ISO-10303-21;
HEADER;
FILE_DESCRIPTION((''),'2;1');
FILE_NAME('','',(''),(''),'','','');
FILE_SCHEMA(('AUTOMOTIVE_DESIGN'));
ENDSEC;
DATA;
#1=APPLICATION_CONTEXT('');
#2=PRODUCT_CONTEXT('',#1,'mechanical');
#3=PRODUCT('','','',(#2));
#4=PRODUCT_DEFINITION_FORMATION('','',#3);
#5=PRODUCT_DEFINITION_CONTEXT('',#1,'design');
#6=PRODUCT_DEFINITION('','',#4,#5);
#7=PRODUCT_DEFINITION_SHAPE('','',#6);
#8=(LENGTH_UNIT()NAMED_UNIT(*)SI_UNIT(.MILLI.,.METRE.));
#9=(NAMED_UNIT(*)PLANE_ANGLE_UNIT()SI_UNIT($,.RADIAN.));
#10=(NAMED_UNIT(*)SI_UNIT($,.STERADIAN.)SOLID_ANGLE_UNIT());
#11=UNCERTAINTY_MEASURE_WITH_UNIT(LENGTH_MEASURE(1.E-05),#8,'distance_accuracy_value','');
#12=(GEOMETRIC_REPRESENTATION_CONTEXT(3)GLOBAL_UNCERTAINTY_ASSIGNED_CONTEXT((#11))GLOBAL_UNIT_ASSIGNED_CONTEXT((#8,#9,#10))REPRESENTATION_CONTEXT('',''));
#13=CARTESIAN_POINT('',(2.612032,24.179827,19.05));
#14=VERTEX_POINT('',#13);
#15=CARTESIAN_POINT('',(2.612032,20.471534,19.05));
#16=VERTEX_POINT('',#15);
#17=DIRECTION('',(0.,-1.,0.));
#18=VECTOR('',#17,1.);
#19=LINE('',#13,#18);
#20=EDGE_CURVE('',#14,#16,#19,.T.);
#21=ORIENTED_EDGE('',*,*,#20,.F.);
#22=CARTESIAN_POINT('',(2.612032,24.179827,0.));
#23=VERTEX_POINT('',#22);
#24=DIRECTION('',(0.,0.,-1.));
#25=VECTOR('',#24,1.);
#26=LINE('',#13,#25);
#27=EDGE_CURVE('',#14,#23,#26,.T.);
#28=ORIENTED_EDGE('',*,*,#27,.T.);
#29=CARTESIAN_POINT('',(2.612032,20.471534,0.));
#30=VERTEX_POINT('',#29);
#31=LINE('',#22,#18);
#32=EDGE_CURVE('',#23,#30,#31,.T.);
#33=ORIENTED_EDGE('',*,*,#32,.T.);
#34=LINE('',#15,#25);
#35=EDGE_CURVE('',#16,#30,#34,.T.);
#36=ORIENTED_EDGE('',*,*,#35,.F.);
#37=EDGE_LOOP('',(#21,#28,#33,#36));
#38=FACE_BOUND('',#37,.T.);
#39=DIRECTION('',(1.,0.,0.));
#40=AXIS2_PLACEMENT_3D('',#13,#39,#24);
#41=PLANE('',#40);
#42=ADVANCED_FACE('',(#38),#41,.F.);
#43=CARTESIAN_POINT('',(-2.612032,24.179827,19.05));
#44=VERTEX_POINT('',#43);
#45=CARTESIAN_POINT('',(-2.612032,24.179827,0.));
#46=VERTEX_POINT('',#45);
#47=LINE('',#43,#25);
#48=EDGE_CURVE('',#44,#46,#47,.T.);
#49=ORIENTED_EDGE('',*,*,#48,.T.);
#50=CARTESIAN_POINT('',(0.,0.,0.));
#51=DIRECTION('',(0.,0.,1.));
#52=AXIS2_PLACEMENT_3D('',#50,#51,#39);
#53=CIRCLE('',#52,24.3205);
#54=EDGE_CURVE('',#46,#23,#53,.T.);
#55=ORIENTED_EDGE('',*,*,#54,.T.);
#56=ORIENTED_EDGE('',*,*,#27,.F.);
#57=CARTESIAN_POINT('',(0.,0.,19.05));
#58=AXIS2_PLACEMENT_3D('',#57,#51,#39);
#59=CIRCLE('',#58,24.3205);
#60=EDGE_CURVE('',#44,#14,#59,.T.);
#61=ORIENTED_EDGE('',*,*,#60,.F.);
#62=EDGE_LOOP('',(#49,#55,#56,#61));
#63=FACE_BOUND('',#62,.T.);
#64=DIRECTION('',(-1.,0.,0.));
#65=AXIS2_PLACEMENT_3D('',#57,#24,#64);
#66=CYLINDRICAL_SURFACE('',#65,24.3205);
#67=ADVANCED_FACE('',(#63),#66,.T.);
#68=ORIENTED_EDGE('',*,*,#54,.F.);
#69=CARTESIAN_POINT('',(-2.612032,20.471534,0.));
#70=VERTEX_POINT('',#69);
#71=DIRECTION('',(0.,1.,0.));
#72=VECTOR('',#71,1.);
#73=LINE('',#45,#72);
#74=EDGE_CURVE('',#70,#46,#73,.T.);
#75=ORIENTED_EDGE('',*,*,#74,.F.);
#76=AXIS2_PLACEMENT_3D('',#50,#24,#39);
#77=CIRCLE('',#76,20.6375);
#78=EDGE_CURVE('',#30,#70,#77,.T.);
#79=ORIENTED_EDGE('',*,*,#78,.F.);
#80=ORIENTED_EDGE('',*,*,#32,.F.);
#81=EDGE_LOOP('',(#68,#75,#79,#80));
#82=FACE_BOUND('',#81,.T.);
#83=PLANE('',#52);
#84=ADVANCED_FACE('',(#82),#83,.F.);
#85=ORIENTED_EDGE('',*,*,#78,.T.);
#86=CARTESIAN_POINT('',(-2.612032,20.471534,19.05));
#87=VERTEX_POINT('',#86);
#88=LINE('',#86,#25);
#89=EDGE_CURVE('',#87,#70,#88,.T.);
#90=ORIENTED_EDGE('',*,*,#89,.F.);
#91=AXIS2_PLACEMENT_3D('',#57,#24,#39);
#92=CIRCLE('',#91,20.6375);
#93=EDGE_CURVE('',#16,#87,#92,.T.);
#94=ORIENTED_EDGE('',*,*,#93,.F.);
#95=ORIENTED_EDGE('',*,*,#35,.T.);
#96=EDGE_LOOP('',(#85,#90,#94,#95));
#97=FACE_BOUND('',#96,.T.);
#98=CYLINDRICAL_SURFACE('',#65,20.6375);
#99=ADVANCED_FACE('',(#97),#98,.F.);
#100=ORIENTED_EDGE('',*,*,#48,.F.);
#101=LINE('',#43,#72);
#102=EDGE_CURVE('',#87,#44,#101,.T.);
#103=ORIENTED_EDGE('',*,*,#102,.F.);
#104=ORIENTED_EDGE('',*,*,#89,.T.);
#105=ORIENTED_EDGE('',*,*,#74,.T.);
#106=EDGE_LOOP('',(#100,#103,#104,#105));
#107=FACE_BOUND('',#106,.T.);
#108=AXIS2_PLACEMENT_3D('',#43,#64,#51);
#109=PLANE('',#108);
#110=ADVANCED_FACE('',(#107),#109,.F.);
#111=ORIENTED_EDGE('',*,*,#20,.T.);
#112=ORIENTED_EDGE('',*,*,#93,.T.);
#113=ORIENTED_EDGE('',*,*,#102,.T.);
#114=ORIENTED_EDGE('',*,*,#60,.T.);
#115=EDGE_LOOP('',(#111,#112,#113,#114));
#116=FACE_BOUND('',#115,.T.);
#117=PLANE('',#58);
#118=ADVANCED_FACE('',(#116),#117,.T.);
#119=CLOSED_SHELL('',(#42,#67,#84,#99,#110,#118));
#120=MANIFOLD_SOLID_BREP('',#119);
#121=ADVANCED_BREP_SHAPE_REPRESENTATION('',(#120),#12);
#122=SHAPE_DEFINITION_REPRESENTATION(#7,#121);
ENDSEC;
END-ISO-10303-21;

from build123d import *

# Parameters (mm, degrees)
BOSS_EXTRUDE1_DEPTH = 19.05


with BuildPart() as part:
    # Sketch1 → Boss-Extrude1 (new body)
    with BuildSketch(Plane.XY):
        with BuildLine():
            Line((-2.612031703, 24.179826522), (-2.612031703, 20.471533812))
            ThreePointArc((-2.612031703, 20.471533812), (0, -20.6375), (2.612031703, 20.471533812))
            Line((2.612031703, 20.471533812), (2.612031703, 24.179826522))
            ThreePointArc((2.612031703, 24.179826522), (0, -24.3205), (-2.612031703, 24.179826522))
        make_face()
    extrude(amount=BOSS_EXTRUDE1_DEPTH)


solid = part.part
